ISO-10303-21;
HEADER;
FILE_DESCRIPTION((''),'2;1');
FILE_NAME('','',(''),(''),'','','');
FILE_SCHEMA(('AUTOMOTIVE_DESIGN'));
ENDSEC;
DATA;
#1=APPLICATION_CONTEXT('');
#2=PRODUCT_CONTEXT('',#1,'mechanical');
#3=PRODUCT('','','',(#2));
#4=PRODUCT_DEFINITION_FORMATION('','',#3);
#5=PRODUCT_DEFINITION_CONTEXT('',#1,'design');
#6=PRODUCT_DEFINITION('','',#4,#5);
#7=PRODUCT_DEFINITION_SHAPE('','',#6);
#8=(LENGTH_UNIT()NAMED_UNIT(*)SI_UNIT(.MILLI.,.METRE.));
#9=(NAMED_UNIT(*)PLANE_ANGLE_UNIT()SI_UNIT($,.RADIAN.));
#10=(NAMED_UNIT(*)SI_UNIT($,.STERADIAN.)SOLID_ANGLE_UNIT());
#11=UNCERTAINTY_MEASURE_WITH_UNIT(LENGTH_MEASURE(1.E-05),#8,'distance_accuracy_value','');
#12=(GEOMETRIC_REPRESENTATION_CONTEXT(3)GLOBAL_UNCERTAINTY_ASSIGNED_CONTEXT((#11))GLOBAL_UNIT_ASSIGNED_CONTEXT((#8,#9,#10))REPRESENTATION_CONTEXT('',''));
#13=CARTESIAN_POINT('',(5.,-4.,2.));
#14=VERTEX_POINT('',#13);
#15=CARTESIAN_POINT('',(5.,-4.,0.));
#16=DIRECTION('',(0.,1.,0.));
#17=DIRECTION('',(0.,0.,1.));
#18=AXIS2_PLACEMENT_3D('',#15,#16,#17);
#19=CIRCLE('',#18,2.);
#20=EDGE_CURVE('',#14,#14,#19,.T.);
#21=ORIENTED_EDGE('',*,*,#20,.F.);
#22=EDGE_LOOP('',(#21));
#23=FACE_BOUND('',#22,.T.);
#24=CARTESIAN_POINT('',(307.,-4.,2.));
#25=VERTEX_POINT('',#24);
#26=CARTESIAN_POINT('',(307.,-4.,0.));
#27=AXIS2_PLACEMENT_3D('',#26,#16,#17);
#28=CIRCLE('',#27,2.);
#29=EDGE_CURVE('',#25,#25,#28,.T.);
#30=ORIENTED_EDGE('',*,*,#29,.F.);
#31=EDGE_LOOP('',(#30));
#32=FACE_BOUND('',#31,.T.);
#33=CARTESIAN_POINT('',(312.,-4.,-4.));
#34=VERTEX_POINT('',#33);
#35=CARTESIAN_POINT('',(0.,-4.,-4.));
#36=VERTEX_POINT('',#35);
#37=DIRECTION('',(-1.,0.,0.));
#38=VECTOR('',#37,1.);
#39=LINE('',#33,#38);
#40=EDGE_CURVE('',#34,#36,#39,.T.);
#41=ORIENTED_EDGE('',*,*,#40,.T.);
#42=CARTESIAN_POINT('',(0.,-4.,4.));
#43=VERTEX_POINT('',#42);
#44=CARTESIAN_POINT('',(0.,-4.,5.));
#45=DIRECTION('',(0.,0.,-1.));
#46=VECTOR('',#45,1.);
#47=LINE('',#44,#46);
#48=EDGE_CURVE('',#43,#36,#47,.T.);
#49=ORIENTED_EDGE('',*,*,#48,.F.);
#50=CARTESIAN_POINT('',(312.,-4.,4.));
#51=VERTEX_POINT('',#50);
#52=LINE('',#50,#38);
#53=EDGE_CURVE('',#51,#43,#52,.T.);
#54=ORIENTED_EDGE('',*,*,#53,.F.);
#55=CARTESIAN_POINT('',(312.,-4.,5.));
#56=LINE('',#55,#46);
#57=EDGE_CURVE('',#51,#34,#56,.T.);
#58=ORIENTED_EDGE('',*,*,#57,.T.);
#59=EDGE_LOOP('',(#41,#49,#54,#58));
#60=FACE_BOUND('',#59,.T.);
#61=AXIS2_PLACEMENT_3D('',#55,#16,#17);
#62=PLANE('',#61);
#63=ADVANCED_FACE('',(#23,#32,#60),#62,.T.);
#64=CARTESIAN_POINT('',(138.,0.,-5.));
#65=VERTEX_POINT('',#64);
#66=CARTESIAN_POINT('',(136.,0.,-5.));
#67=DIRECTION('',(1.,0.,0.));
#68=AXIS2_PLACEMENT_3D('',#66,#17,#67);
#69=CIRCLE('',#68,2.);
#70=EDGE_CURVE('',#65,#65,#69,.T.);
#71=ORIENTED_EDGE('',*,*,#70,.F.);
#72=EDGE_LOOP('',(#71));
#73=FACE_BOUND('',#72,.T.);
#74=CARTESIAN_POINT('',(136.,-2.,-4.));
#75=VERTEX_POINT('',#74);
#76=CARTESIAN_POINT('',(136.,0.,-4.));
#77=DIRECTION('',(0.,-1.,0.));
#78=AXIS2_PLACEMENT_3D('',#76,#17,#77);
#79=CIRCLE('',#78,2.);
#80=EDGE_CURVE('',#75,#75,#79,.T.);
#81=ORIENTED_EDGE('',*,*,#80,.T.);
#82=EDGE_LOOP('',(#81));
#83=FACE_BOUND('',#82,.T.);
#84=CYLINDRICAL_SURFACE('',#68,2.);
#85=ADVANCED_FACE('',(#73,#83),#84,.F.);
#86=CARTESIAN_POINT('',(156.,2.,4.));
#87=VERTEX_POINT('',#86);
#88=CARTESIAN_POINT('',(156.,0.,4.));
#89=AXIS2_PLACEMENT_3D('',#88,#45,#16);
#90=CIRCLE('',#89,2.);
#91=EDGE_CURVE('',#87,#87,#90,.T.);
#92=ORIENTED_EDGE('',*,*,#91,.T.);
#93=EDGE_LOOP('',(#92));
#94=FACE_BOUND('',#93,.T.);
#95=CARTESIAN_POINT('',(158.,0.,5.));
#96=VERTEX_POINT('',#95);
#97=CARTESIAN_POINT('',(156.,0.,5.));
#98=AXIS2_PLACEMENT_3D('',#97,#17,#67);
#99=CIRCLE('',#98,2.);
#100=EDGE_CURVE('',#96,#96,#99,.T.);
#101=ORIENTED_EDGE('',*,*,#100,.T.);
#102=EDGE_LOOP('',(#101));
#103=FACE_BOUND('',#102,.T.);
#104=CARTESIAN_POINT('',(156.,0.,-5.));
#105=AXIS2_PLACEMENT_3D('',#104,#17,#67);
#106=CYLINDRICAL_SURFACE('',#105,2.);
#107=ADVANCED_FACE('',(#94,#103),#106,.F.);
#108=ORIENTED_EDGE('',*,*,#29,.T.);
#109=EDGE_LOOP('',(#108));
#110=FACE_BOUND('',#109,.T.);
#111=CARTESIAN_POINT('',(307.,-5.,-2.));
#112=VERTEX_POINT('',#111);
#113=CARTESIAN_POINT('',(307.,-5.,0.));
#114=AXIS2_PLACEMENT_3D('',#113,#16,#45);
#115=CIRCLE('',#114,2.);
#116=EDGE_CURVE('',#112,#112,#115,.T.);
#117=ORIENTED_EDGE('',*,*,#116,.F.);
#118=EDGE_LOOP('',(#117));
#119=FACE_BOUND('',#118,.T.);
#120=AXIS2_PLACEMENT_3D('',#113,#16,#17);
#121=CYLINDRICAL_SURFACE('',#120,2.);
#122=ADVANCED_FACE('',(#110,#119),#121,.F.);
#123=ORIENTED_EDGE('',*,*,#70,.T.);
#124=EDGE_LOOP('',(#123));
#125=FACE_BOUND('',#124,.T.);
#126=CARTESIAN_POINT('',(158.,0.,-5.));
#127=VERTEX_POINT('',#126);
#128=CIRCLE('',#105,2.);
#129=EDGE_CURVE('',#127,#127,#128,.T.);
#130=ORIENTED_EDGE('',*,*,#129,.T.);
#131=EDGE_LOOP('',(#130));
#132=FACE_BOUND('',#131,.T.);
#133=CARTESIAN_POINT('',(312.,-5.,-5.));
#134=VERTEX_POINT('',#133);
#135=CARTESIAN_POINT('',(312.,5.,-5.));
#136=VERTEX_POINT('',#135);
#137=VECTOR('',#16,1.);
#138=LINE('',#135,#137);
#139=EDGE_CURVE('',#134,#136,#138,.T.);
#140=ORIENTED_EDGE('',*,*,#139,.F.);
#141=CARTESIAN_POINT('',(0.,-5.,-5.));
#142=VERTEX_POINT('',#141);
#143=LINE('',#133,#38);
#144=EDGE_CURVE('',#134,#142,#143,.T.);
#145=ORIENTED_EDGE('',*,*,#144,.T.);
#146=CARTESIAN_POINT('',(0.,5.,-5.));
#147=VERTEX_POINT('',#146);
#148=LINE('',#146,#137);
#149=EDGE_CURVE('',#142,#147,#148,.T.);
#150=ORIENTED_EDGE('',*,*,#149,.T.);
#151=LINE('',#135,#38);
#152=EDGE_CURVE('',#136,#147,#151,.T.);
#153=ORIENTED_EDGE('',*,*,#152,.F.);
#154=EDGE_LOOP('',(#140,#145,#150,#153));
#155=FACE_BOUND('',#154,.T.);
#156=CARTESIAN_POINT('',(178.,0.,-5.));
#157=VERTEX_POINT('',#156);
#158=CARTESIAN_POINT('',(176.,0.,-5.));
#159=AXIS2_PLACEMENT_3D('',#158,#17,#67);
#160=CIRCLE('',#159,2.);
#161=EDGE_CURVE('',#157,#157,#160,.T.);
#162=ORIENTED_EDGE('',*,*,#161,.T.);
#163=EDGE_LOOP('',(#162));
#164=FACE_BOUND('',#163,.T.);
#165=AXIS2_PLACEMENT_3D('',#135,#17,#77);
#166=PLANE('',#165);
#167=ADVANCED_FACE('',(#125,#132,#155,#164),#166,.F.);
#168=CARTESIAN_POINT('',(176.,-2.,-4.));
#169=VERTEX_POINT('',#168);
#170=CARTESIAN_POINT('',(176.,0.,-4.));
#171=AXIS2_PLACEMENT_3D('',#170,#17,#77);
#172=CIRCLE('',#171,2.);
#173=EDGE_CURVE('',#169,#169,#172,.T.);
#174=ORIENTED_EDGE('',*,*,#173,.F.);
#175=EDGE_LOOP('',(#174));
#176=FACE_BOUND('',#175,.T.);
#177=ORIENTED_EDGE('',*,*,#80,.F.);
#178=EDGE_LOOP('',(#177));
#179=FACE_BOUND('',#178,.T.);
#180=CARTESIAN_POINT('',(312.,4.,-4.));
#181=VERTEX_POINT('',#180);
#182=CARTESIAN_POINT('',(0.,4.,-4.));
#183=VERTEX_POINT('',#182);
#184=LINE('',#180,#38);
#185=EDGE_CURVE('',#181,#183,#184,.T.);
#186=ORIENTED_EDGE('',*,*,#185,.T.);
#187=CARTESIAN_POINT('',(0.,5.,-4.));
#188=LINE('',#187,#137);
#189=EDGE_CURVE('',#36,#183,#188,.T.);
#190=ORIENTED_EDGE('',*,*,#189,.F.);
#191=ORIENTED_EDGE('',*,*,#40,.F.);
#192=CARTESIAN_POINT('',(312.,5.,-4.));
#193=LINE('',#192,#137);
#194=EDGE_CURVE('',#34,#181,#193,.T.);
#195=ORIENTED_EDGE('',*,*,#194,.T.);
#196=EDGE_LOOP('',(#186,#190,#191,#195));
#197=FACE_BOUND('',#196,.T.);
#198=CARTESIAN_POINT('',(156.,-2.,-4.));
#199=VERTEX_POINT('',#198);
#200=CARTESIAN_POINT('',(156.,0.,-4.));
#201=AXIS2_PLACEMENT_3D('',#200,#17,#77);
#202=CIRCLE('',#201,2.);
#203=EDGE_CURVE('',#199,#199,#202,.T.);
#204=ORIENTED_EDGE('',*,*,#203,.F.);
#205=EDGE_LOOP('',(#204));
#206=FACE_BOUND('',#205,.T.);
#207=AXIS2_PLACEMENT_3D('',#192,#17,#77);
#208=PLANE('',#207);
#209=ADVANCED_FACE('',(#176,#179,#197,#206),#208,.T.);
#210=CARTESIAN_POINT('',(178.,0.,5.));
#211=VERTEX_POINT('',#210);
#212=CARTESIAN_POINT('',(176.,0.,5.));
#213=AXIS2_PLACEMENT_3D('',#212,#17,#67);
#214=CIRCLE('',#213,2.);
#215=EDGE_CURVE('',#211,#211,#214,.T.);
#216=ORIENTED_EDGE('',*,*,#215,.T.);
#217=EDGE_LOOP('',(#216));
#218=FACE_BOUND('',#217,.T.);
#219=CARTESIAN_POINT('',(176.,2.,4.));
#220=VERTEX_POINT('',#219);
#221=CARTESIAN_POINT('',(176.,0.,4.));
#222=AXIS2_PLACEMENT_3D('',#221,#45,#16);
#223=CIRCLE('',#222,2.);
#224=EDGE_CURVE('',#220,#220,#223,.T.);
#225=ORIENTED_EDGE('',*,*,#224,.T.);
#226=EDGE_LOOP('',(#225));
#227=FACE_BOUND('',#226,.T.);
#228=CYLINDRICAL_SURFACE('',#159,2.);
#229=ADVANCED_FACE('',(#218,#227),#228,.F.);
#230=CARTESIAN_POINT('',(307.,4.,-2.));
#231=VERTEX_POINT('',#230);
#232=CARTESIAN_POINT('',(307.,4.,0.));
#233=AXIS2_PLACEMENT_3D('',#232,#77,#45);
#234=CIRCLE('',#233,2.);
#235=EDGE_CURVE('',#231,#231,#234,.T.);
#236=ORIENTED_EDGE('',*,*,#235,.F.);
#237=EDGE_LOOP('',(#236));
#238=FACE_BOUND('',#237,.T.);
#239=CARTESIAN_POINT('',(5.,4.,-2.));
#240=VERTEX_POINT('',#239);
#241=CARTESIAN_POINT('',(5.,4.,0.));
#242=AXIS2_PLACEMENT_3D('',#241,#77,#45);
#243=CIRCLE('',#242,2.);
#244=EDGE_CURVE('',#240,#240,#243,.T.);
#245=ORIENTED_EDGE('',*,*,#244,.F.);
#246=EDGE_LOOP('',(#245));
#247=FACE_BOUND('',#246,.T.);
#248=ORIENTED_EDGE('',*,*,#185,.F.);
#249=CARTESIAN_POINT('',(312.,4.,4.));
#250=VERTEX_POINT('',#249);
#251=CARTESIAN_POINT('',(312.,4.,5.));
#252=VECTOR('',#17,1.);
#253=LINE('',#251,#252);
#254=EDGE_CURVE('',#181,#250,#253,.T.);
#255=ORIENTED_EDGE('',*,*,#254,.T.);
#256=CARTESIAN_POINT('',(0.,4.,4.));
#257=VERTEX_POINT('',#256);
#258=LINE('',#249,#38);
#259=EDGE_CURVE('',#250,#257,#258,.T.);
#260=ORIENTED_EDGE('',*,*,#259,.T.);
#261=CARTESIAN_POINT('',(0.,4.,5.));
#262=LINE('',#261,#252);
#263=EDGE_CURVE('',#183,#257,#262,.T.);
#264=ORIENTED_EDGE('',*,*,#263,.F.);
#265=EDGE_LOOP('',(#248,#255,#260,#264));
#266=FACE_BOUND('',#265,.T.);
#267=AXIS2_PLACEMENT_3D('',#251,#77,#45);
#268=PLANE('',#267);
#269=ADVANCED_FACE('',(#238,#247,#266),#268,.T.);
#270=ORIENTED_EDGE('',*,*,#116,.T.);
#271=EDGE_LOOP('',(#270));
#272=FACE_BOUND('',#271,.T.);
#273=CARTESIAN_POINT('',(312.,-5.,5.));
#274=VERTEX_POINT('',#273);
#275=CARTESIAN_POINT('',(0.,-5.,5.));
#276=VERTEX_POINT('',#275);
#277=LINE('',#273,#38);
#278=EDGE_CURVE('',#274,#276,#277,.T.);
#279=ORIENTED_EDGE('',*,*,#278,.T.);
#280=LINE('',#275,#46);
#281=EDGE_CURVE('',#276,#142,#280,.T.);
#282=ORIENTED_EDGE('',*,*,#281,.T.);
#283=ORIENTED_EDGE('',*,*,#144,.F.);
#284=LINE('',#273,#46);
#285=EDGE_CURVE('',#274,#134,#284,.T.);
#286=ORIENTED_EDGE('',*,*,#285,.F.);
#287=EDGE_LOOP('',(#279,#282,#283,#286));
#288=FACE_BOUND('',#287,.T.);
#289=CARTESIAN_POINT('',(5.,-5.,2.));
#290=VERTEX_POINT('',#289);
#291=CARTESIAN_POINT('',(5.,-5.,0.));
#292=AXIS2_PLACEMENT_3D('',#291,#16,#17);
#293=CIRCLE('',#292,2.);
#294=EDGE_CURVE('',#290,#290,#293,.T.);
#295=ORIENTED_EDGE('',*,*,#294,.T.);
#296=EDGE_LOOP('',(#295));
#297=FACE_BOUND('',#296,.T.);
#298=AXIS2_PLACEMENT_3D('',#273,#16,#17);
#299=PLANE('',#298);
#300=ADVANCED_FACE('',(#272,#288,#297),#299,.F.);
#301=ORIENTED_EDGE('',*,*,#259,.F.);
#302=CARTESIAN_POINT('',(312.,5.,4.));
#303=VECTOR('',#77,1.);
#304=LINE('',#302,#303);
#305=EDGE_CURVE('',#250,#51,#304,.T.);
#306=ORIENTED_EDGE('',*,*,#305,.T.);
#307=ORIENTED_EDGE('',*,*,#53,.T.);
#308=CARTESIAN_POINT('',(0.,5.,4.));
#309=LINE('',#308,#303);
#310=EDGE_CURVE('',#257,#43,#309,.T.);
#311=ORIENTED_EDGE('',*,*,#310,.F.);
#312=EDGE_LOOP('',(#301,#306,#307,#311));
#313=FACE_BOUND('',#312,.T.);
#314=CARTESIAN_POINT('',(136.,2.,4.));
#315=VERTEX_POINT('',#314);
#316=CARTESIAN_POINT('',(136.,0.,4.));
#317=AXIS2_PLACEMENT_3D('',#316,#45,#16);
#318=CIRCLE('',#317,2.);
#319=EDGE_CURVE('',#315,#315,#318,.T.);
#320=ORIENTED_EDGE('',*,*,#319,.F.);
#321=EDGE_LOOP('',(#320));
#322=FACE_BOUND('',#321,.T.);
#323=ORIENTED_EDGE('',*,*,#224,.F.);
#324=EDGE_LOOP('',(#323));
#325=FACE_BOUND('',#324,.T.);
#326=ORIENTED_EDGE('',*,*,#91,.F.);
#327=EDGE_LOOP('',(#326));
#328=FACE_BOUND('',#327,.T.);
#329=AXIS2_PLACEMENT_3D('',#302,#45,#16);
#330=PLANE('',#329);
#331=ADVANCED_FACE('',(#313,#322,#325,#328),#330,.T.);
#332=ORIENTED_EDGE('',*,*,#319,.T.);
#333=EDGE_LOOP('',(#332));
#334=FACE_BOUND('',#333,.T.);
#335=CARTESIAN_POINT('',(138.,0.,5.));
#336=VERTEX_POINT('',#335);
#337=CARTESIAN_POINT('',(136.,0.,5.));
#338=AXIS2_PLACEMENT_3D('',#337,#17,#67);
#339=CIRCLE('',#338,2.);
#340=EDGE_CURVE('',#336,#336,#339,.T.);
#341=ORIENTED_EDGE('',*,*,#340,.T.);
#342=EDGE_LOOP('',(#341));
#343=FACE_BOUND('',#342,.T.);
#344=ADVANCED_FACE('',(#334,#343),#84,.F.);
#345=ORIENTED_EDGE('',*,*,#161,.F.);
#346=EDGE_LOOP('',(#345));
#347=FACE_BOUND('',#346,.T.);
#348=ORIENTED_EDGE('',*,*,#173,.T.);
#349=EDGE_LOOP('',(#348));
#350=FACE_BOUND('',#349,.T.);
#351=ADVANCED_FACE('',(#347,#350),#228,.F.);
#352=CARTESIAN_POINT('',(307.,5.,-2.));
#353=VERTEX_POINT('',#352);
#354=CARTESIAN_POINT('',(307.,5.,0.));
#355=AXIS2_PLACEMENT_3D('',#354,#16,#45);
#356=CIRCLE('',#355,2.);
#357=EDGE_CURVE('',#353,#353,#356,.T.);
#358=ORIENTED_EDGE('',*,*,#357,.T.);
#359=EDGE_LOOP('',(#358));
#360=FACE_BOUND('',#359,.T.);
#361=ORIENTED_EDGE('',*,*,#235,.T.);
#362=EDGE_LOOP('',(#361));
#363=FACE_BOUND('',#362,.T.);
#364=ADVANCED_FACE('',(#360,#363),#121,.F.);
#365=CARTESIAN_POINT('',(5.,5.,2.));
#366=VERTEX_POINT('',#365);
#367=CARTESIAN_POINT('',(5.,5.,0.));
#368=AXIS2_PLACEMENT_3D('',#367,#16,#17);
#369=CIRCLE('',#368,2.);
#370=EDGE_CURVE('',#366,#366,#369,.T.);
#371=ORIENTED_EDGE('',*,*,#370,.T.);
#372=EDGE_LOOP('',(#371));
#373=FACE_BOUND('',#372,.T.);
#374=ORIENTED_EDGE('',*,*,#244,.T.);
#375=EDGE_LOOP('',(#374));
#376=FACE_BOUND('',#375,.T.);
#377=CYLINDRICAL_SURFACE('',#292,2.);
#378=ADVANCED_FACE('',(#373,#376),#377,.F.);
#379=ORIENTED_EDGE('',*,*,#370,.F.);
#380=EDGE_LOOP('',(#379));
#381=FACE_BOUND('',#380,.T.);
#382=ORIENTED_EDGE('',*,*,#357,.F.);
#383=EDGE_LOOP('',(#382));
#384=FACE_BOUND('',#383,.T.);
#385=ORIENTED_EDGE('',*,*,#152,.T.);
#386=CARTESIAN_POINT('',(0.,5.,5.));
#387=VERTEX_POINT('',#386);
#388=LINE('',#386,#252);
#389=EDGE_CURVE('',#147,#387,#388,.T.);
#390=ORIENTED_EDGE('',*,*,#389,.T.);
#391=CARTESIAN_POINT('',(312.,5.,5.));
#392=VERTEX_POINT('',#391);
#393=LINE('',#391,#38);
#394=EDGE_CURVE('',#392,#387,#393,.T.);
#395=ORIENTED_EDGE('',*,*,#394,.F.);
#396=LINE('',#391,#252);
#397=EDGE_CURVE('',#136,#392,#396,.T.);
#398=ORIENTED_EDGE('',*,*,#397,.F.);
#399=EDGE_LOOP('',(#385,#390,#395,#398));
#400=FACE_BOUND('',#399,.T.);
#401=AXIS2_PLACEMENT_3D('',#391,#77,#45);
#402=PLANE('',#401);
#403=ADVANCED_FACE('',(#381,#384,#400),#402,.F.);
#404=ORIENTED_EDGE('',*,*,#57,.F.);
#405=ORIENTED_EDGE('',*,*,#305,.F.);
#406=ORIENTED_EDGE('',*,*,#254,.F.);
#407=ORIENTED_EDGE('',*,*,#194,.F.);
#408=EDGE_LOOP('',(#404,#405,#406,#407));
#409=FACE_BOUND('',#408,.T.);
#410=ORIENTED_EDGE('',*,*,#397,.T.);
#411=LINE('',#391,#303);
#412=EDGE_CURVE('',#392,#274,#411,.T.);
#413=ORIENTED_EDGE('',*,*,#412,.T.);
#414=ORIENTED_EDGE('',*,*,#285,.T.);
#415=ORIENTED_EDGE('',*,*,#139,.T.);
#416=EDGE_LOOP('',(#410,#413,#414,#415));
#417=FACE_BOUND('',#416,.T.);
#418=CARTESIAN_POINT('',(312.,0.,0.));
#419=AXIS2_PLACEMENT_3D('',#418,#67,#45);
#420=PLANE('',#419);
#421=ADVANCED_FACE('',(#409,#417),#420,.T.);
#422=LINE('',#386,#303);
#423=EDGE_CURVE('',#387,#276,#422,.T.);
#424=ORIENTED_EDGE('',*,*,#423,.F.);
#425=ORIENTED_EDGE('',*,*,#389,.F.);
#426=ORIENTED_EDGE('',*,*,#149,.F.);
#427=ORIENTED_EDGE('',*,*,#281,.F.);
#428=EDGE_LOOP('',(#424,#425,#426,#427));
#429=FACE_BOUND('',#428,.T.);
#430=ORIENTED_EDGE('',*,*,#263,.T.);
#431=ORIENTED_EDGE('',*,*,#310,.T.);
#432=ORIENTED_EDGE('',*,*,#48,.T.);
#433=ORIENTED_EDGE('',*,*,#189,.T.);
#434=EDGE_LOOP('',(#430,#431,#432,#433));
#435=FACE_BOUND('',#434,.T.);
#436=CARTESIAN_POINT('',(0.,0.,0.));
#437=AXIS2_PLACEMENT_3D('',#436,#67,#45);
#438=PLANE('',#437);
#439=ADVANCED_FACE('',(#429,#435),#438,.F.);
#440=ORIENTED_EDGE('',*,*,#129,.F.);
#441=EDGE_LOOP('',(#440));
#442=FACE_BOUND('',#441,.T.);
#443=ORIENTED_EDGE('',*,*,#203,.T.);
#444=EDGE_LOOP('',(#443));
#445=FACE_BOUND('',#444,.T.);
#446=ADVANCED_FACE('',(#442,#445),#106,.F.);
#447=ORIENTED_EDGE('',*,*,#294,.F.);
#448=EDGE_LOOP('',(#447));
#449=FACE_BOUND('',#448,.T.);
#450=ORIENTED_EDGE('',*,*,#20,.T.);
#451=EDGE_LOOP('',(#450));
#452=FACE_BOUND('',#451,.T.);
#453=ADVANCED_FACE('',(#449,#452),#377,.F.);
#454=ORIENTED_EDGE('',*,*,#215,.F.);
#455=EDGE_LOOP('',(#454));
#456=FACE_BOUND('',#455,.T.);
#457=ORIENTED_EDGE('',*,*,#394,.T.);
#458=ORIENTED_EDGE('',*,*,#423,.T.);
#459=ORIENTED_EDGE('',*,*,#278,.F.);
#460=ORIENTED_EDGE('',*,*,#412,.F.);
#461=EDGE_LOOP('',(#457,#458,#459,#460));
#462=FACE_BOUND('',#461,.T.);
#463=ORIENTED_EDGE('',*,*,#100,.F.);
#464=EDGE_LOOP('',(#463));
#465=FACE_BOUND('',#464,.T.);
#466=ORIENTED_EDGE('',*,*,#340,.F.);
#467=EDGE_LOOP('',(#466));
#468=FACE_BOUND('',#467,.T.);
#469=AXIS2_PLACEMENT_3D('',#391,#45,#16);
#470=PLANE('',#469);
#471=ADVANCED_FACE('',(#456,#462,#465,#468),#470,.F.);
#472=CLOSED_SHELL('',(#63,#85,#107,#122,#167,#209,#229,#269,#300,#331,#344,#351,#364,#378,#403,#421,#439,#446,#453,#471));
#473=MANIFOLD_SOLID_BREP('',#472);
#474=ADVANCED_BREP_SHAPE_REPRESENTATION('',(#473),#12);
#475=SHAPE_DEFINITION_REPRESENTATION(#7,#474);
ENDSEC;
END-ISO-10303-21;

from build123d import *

# Parameters (mm, degrees)
SKETCH_1_W          = 10
SKETCH_1_H          = 10
SKETCH_1_W_2        = 8
SKETCH_1_H_2        = 8
EXTRUDE_1_DEPTH     = 312
SKETCH_2_R          = 2
CUT_EXTRUDE_1_DEPTH = 313.200256246
SKETCH_3_R          = 2
CUT_EXTRUDE_2_DEPTH = 313.200256246


with BuildPart() as part:
    # ｽｹｯﾁ1 → 押し出し-薄板1 (new body)
    with BuildSketch(Plane(origin=(0, 0, 0), x_dir=(0, 0, -1), z_dir=(1, 0, 0))):
        Rectangle(SKETCH_1_W, SKETCH_1_H)
        Rectangle(SKETCH_1_W_2, SKETCH_1_H_2, mode=Mode.SUBTRACT)
    extrude(amount=EXTRUDE_1_DEPTH)

    # ｽｹｯﾁ2 → ｶｯﾄ - 押し出し1 (cut, through all)
    with BuildSketch(Plane(origin=(0, 5, 0), x_dir=(1, 0, 0), z_dir=(0, 1, 0))):
        with Locations(Location((5, 0, 0), (0, 0, 270))):
            Circle(SKETCH_2_R)
        with Locations(Location((307, 0, 0), (0, 0, 270))):
            Circle(SKETCH_2_R)
    extrude(amount=-CUT_EXTRUDE_1_DEPTH, mode=Mode.SUBTRACT)

    # ｽｹｯﾁ3 → ｶｯﾄ - 押し出し2 (cut, through all)
    with BuildSketch(Plane.XY.offset(5)):
        with Locations((136, 0)):
            Circle(SKETCH_3_R)
        with Locations((156, 0)):
            Circle(SKETCH_3_R)
        with Locations((176, 0)):
            Circle(SKETCH_3_R)
    extrude(amount=-CUT_EXTRUDE_2_DEPTH, mode=Mode.SUBTRACT)


solid = part.part
